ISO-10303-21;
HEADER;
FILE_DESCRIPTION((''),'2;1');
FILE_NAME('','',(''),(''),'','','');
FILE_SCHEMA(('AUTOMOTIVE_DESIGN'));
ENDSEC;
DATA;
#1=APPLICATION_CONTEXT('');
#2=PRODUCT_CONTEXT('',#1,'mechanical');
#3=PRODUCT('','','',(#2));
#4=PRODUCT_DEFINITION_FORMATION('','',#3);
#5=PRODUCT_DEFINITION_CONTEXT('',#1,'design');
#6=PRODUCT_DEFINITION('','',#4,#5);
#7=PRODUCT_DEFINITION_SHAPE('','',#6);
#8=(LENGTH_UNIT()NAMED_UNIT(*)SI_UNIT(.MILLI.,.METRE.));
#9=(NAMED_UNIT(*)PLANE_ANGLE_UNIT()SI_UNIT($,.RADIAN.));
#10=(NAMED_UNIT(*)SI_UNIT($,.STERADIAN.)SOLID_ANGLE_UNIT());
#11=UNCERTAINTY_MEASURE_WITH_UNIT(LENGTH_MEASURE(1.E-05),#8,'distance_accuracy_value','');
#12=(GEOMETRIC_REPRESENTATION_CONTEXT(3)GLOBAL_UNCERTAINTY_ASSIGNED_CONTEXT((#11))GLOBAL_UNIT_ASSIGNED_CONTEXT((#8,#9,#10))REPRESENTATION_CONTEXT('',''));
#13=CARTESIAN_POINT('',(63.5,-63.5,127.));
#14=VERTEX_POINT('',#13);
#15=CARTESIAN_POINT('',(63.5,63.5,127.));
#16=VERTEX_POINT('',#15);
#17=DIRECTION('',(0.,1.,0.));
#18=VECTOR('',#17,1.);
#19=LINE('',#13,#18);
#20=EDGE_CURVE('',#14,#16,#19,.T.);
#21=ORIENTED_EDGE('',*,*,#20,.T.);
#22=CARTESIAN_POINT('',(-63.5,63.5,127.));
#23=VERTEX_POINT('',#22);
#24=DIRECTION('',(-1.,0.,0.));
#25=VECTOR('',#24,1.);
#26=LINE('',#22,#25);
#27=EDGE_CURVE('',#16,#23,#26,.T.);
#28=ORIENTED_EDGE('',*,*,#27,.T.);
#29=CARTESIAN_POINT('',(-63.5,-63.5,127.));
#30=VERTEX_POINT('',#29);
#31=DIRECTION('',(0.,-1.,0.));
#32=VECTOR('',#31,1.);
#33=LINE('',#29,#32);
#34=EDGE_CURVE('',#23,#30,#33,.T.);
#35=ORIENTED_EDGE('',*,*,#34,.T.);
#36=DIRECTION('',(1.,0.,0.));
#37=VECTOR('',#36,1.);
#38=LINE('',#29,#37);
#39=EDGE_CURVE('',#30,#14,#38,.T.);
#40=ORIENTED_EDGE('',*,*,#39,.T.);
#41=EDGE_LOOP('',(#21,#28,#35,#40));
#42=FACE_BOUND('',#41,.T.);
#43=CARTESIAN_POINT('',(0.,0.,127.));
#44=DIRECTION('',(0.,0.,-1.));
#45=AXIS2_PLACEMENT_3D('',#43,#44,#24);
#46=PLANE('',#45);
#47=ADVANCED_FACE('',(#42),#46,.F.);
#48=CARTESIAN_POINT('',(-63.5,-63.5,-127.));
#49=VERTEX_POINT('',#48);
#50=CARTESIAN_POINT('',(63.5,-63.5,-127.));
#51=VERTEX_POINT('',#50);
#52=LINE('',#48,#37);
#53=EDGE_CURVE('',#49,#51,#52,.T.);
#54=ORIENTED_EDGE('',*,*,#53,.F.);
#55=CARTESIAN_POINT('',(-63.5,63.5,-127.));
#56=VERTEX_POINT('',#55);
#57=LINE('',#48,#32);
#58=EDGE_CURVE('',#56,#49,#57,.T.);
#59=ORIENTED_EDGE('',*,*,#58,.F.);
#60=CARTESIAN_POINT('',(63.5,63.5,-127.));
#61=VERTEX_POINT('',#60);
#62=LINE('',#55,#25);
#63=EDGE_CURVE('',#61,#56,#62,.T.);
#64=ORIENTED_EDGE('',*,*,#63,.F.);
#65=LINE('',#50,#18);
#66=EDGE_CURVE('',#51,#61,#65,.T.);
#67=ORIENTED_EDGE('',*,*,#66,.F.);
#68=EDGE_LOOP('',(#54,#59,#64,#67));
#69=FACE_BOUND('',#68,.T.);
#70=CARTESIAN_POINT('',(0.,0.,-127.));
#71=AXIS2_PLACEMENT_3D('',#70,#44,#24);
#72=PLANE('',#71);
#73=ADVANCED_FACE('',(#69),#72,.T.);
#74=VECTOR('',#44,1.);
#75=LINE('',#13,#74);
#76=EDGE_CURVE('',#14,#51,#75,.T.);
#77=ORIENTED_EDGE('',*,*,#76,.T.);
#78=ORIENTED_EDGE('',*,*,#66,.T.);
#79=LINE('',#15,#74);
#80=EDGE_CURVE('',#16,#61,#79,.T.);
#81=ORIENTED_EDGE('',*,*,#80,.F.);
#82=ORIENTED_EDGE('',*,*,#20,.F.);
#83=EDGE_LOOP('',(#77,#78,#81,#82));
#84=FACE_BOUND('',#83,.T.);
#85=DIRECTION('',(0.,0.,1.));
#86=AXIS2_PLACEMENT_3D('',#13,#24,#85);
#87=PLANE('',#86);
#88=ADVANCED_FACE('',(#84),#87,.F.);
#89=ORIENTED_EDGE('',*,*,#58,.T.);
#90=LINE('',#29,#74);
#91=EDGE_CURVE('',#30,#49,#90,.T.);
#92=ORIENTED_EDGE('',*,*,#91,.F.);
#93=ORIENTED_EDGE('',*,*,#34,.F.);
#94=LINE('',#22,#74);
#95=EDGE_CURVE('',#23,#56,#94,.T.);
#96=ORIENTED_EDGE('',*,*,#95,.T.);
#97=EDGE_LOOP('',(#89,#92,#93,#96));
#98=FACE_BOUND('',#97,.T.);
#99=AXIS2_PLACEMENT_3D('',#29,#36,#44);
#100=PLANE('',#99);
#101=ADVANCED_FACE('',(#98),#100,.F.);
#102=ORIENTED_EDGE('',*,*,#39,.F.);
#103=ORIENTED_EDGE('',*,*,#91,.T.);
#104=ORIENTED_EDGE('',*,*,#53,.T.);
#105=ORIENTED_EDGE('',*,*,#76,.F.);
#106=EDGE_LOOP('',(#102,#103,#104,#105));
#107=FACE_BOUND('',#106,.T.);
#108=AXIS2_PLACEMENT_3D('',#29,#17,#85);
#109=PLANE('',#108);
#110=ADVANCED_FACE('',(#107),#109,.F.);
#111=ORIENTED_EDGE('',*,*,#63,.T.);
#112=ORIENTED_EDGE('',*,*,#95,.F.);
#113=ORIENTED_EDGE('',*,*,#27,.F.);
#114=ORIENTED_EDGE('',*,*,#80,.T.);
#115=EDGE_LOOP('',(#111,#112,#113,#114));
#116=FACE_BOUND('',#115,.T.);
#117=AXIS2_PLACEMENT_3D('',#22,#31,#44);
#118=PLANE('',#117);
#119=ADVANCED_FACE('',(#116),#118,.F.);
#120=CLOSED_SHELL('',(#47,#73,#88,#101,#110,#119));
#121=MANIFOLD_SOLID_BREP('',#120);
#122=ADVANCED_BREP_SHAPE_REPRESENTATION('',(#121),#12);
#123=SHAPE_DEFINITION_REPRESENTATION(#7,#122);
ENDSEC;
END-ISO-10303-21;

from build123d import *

# Parameters (mm, degrees)
COMPRESSOR_CROSS_SECTION_W = 127
COMPRESSOR_CROSS_SECTION_H = 127
AIR_COMPRESSOR_DEPTH       = 127


with BuildPart() as part:
    # Compressor Cross Section → Air Compressor (new body, symmetric)
    with BuildSketch(Plane.XY):
        Rectangle(COMPRESSOR_CROSS_SECTION_W, COMPRESSOR_CROSS_SECTION_H)
    extrude(amount=AIR_COMPRESSOR_DEPTH, both=True)


solid = part.part
